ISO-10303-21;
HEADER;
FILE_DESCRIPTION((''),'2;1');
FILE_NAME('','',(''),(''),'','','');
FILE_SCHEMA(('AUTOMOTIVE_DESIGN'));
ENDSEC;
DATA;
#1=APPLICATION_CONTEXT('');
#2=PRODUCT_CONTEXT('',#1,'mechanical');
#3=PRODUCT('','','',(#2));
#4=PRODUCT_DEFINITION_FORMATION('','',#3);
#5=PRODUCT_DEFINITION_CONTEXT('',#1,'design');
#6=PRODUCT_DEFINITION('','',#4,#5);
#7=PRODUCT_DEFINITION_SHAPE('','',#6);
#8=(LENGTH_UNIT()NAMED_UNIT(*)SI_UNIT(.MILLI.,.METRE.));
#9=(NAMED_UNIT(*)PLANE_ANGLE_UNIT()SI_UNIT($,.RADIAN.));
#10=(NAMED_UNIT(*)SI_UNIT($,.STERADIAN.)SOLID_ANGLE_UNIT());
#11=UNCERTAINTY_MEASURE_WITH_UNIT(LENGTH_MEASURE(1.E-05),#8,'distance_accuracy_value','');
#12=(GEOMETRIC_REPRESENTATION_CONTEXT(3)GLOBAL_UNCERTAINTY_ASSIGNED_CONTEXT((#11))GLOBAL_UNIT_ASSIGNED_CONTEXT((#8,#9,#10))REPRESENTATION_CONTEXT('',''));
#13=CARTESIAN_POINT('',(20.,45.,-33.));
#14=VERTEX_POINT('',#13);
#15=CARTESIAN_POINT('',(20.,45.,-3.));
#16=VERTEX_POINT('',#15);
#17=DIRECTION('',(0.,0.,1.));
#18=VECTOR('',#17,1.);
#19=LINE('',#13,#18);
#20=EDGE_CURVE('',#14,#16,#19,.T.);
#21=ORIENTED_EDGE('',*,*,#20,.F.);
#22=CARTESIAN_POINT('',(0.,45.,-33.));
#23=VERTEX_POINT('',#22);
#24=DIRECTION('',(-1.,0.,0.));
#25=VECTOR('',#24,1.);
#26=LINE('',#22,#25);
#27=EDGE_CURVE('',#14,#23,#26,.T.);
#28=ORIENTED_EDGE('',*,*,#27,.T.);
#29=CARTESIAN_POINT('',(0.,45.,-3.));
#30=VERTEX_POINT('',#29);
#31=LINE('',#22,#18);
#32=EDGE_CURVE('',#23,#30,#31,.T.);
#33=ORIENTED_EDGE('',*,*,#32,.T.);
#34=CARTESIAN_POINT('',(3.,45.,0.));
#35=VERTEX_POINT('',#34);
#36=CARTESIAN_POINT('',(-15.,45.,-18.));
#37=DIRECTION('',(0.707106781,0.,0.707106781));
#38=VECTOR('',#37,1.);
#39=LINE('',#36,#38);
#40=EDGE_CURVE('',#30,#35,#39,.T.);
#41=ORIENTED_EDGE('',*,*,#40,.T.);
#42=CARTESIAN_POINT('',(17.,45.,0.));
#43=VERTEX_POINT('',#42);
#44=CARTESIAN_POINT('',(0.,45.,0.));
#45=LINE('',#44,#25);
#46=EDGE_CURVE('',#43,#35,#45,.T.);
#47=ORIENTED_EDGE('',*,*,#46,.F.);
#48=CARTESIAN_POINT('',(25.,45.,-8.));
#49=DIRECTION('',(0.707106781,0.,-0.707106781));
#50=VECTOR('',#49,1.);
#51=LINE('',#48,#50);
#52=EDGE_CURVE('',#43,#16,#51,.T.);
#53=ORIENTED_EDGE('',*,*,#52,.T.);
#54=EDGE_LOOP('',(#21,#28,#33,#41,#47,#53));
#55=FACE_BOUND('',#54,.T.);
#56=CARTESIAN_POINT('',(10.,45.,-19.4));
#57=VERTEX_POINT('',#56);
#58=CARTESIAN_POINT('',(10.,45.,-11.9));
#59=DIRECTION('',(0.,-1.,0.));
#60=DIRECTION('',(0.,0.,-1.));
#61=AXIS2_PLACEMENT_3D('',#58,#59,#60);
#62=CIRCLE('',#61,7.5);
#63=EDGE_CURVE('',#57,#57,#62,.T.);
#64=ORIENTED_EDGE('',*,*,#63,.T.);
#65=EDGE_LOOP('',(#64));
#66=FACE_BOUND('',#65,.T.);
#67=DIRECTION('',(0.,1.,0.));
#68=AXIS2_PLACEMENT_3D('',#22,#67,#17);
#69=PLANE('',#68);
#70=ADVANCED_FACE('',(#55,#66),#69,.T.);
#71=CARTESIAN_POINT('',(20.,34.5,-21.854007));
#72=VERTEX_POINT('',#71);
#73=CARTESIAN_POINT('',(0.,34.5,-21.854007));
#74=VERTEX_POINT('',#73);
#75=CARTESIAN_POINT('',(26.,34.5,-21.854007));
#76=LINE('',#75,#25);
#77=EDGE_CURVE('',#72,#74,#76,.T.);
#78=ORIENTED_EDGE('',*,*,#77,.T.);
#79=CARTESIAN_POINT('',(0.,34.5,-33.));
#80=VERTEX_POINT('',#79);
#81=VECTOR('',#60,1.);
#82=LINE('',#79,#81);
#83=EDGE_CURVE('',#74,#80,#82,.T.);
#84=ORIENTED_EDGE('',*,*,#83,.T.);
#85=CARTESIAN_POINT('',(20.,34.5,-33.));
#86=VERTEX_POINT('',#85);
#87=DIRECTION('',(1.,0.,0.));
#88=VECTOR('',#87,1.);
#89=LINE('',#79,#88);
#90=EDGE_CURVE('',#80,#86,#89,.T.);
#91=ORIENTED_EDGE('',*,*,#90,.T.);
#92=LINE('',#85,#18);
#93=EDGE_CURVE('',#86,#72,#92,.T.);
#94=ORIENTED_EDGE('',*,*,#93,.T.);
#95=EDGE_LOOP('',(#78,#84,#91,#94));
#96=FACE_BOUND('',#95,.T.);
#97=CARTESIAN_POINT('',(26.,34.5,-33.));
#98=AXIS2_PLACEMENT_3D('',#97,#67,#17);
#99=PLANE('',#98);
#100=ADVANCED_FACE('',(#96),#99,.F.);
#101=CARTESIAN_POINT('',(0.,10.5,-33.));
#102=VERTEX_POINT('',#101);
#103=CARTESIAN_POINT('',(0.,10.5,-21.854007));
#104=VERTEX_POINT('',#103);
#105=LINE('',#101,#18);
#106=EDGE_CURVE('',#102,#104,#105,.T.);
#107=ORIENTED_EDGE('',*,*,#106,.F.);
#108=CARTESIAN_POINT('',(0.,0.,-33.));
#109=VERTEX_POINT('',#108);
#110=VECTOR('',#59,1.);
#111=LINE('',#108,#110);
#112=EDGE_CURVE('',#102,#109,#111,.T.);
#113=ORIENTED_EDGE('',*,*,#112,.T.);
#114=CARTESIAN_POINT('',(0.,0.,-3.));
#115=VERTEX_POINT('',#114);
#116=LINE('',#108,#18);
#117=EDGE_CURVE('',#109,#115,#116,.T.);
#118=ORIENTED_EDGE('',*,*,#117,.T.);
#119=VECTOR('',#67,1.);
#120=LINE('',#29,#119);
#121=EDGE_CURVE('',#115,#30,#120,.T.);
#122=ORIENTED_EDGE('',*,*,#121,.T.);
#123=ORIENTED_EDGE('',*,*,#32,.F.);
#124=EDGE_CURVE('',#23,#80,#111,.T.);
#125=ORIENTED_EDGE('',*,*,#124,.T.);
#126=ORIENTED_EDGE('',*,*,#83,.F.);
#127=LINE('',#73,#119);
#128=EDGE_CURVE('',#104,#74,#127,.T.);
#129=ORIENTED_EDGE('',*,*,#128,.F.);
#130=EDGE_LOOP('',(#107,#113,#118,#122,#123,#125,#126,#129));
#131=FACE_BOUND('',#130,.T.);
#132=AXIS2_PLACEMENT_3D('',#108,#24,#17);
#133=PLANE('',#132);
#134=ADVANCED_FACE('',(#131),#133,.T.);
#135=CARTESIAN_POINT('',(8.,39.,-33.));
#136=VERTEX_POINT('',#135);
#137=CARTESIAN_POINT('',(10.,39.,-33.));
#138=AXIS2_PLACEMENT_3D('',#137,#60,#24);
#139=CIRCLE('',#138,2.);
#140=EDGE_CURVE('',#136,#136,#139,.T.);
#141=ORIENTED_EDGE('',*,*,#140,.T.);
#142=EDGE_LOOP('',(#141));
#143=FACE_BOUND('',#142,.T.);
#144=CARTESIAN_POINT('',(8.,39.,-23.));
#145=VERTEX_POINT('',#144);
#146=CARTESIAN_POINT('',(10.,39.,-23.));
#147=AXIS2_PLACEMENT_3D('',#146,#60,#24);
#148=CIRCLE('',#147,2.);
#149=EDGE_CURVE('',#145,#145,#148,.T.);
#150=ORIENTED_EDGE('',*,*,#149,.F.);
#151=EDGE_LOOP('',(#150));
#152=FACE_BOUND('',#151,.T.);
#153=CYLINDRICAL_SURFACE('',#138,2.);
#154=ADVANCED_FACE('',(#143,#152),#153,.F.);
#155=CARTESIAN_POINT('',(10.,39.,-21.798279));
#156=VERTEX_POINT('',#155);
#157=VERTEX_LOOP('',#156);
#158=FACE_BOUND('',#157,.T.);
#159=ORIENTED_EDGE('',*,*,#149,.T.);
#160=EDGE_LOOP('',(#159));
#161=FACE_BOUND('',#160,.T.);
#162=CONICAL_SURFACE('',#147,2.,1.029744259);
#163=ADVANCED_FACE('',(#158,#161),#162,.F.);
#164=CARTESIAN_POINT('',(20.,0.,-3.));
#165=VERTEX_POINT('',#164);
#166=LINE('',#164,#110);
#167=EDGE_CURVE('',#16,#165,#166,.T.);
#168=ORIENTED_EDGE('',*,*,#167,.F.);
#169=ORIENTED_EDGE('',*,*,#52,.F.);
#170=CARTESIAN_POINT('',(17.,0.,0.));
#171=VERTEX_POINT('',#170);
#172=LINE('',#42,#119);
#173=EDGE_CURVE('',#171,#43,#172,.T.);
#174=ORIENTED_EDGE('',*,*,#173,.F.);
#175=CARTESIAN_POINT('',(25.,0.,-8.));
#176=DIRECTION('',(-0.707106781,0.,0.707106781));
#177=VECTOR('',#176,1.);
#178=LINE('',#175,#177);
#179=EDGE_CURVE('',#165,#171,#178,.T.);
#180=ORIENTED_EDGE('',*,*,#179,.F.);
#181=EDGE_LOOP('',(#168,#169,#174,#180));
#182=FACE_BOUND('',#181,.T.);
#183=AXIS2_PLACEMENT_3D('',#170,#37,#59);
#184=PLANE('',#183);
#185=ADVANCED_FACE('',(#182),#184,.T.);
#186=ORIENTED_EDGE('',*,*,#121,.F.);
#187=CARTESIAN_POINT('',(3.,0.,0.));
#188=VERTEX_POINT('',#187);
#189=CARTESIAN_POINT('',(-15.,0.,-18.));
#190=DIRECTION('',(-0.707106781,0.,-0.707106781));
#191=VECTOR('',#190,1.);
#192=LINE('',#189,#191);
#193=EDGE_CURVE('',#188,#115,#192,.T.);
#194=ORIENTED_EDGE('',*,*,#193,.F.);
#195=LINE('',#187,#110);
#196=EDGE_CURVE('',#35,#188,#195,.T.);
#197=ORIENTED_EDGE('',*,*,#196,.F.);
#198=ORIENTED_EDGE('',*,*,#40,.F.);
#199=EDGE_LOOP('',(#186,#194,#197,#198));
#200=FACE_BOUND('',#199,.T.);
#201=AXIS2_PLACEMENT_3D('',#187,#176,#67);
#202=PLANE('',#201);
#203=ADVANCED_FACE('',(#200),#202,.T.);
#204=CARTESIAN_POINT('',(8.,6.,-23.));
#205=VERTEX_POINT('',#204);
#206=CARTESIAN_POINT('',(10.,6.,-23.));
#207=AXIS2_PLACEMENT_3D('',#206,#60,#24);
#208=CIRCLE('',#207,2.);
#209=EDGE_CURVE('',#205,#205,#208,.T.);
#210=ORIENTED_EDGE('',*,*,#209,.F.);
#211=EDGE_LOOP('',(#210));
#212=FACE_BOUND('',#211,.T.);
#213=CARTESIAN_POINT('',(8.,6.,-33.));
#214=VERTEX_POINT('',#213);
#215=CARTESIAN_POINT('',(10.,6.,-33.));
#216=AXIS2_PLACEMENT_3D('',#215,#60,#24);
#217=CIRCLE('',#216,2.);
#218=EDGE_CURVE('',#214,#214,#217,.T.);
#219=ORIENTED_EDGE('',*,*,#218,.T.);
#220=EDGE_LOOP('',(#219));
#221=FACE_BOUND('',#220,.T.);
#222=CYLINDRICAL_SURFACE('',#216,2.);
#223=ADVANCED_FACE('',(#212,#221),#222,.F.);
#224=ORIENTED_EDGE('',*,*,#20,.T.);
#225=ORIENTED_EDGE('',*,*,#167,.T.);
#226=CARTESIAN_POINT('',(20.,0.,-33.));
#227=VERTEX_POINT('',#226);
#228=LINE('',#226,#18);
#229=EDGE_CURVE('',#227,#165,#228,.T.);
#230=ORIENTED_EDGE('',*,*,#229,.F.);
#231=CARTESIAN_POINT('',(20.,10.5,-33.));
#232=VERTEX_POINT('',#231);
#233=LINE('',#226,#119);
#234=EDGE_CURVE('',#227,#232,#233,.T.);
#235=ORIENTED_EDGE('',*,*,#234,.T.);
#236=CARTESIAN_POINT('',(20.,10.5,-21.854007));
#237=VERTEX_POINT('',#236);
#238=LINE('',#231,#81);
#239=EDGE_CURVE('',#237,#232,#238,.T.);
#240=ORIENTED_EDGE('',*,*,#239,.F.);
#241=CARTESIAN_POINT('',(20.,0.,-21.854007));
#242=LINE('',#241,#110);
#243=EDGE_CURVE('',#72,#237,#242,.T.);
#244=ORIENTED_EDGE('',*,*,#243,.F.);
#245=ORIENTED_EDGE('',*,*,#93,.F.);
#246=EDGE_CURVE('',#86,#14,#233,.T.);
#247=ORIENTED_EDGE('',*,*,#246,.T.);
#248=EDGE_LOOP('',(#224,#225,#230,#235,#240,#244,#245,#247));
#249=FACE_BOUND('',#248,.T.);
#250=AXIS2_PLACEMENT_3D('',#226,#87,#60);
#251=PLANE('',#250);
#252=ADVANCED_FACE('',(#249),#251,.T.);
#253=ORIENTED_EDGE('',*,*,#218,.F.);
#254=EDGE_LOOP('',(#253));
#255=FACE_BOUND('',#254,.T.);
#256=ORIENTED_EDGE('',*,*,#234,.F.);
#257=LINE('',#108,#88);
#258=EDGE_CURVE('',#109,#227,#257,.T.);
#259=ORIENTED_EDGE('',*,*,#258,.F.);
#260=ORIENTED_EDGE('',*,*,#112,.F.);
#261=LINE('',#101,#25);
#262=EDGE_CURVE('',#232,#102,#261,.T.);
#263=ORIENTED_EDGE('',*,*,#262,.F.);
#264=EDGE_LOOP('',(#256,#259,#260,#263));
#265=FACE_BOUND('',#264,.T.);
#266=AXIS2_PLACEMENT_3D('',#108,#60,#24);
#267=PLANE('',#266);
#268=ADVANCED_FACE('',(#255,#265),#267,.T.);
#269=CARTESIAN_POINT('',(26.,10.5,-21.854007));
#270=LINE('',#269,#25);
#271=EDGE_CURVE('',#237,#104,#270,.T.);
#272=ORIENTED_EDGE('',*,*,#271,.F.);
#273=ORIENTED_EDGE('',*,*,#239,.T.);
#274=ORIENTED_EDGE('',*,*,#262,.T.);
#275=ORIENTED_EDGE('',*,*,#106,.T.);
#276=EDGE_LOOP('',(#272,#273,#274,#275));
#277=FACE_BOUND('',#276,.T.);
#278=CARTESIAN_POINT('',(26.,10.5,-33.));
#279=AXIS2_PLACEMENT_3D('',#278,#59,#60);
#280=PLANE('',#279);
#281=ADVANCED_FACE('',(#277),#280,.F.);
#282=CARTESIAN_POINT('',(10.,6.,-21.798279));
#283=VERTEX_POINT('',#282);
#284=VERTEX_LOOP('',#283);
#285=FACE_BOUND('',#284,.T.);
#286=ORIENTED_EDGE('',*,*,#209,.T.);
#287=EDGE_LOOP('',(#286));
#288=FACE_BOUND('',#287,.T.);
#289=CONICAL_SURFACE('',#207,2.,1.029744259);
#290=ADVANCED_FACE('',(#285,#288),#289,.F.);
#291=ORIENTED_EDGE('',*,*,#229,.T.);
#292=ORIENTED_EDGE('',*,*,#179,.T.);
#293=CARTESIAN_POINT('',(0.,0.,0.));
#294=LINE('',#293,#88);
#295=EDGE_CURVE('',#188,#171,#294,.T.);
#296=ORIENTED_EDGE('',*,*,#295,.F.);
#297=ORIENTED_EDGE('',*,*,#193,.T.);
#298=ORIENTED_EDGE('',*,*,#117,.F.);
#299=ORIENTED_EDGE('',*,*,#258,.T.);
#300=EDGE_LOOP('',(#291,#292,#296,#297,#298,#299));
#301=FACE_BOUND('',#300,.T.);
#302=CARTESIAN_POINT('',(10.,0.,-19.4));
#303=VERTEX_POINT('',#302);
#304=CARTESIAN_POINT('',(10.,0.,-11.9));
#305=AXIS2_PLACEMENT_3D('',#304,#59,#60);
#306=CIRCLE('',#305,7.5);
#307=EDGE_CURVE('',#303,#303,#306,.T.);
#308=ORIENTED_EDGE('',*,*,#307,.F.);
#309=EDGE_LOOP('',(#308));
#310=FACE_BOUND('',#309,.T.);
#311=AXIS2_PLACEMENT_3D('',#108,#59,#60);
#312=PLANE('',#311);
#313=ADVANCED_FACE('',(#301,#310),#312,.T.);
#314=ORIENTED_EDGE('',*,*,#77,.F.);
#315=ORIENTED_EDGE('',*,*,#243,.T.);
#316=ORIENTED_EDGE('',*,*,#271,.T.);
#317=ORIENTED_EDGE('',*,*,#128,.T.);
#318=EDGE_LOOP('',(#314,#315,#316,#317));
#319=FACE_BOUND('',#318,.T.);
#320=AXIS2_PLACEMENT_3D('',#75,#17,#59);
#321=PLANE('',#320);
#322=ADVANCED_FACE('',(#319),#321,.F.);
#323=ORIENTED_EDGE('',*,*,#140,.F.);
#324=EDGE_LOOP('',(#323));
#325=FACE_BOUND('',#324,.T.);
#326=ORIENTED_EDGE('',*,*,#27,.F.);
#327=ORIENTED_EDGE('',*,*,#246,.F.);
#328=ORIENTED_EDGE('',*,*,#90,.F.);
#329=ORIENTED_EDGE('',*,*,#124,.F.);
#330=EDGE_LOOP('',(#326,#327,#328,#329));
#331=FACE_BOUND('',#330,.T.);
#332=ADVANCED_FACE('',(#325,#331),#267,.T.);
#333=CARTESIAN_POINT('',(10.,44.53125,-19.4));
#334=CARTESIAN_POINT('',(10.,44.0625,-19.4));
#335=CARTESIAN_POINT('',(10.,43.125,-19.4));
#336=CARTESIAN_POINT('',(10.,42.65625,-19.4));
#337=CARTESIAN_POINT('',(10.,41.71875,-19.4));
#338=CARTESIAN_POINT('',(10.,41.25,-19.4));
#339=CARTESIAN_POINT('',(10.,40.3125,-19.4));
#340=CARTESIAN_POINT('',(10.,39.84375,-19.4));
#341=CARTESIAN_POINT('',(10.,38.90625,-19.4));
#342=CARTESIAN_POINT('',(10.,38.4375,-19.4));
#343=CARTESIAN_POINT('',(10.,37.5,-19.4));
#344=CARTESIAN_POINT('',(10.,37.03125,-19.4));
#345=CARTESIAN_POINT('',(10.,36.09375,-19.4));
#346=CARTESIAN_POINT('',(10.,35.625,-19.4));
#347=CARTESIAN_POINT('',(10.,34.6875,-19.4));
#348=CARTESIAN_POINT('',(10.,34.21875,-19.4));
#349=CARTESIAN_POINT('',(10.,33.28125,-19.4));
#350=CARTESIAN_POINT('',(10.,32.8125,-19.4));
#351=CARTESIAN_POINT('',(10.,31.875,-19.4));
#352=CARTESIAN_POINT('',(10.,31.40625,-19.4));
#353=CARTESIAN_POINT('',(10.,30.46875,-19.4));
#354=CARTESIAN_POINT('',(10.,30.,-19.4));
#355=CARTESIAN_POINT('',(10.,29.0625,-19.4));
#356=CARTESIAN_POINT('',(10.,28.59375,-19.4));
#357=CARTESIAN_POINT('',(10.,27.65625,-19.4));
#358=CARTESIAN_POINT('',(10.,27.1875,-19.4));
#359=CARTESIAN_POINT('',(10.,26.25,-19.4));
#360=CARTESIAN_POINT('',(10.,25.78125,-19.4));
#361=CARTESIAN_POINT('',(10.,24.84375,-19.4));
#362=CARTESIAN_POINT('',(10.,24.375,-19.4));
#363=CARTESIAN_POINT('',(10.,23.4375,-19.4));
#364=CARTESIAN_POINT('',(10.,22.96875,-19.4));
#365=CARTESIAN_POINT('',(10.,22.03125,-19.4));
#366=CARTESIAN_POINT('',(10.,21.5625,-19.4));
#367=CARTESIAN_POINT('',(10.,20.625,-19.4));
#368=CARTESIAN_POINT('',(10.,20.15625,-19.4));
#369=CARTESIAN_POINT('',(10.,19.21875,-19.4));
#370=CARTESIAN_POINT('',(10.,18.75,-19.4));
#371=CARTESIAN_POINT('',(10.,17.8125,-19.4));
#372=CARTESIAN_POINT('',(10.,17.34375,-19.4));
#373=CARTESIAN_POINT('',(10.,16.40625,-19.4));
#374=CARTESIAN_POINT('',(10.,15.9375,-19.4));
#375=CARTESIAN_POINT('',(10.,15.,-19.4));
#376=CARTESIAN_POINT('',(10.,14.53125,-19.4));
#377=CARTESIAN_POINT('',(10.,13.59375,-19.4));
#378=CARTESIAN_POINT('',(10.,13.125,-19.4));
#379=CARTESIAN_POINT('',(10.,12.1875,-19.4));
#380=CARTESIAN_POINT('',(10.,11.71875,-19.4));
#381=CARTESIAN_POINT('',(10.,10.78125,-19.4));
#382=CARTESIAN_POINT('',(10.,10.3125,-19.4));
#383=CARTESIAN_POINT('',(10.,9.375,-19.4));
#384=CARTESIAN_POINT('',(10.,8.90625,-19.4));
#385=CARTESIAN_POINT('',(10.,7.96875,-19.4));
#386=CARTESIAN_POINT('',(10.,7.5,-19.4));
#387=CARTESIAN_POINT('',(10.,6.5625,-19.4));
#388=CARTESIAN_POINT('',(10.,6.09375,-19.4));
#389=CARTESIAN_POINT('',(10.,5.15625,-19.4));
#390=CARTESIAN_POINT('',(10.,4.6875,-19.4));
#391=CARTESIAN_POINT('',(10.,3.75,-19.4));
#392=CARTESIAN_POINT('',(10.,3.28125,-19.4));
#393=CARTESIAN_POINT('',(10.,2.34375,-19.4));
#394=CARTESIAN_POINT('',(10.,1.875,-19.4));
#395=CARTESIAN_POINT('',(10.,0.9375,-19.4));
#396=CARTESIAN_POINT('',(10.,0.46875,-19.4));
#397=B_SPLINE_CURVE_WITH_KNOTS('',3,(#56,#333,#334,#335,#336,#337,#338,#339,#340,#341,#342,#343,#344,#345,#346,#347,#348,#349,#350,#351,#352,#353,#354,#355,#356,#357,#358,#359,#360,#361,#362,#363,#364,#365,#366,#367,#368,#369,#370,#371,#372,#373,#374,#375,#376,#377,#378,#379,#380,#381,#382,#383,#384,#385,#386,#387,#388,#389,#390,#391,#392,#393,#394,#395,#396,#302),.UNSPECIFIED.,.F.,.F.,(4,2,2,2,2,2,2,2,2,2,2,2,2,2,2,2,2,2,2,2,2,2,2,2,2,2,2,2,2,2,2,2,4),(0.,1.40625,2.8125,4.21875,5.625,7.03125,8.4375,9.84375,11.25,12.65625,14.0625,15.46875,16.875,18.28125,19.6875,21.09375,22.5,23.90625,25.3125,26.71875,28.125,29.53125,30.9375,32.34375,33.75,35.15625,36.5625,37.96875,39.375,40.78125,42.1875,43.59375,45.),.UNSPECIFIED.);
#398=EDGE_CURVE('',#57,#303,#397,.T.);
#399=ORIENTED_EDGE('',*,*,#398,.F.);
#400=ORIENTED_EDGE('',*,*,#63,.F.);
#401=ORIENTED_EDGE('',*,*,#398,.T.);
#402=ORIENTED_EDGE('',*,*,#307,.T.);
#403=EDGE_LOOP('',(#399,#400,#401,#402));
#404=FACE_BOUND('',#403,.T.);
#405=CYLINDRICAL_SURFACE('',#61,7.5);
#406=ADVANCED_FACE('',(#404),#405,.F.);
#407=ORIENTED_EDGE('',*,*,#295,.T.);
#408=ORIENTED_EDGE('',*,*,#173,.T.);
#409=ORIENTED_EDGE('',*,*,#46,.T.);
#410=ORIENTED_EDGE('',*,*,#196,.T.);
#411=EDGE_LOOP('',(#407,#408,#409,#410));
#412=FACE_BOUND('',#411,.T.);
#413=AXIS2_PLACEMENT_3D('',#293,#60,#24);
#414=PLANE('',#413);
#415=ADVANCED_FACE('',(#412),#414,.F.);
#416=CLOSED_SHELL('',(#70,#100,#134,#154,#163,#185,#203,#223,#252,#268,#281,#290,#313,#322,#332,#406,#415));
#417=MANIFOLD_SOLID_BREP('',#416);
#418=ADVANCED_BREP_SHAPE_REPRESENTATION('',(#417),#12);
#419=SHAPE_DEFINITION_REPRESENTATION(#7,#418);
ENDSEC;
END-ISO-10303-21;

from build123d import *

# Parameters (mm, degrees)
SCHIZZO1_W                   = 20
SCHIZZO1_H                   = 45
ESTRUSIONE_ESTRUSIONE1_DEPTH = 33
SCHIZZO2_R                   = 7.5
TAGLIO_ESTRUSIONE1_DEPTH     = 60.279001341
FORO_4_0_4_1_D               = 4
FORO_4_0_4_1_DEPTH           = 10
FORO_4_0_4_1_TIP             = 1.201721238
SMUSSO1_SIZE                 = 3
SCHIZZO7_W                   = 11.145993212
SCHIZZO7_H                   = 24
TAGLIO_ESTRUSIONE4_DEPTH     = 26


with BuildPart() as part:
    # Schizzo1 → Estrusione-Estrusione1 (new body)
    with BuildSketch(Plane.XY):
        with Locations((10, 22.5)):
            Rectangle(SCHIZZO1_W, SCHIZZO1_H)
    extrude(amount=-ESTRUSIONE_ESTRUSIONE1_DEPTH)

    # Schizzo2 → Taglio-Estrusione1 (cut, through all)
    with BuildSketch(Plane.XZ):
        with Locations((10, -11.9)):
            Circle(SCHIZZO2_R)
    extrude(amount=-TAGLIO_ESTRUSIONE1_DEPTH, mode=Mode.SUBTRACT)

    # Foro Ø4.0 (4)-1
    with Locations(Plane(origin=(10, 6, -33), x_dir=(-1, 0, 0), z_dir=(0, 0, -1))):
        with Locations((0, 0), (0, 33)):
            Hole(FORO_4_0_4_1_D / 2, depth=FORO_4_0_4_1_DEPTH)
            with Locations((0, 0, -(FORO_4_0_4_1_DEPTH + FORO_4_0_4_1_TIP / 2))):  # 118° drill point
                Cone(0, FORO_4_0_4_1_D / 2, FORO_4_0_4_1_TIP, mode=Mode.SUBTRACT)

    # Smusso1
    smusso1_edges = [part.edges().sort_by_distance(p)[0] for p in [
        (0, 22.5, 0),
        (20, 22.5, 0),
    ]]
    chamfer(smusso1_edges, length=SMUSSO1_SIZE)

    # Schizzo7 → Taglio-Estrusione4 (cut)
    with BuildSketch(Plane.ZY):
        with Locations((-27.427003394, 22.5)):
            Rectangle(SCHIZZO7_W, SCHIZZO7_H)
    extrude(amount=-TAGLIO_ESTRUSIONE4_DEPTH, mode=Mode.SUBTRACT)


solid = part.part
